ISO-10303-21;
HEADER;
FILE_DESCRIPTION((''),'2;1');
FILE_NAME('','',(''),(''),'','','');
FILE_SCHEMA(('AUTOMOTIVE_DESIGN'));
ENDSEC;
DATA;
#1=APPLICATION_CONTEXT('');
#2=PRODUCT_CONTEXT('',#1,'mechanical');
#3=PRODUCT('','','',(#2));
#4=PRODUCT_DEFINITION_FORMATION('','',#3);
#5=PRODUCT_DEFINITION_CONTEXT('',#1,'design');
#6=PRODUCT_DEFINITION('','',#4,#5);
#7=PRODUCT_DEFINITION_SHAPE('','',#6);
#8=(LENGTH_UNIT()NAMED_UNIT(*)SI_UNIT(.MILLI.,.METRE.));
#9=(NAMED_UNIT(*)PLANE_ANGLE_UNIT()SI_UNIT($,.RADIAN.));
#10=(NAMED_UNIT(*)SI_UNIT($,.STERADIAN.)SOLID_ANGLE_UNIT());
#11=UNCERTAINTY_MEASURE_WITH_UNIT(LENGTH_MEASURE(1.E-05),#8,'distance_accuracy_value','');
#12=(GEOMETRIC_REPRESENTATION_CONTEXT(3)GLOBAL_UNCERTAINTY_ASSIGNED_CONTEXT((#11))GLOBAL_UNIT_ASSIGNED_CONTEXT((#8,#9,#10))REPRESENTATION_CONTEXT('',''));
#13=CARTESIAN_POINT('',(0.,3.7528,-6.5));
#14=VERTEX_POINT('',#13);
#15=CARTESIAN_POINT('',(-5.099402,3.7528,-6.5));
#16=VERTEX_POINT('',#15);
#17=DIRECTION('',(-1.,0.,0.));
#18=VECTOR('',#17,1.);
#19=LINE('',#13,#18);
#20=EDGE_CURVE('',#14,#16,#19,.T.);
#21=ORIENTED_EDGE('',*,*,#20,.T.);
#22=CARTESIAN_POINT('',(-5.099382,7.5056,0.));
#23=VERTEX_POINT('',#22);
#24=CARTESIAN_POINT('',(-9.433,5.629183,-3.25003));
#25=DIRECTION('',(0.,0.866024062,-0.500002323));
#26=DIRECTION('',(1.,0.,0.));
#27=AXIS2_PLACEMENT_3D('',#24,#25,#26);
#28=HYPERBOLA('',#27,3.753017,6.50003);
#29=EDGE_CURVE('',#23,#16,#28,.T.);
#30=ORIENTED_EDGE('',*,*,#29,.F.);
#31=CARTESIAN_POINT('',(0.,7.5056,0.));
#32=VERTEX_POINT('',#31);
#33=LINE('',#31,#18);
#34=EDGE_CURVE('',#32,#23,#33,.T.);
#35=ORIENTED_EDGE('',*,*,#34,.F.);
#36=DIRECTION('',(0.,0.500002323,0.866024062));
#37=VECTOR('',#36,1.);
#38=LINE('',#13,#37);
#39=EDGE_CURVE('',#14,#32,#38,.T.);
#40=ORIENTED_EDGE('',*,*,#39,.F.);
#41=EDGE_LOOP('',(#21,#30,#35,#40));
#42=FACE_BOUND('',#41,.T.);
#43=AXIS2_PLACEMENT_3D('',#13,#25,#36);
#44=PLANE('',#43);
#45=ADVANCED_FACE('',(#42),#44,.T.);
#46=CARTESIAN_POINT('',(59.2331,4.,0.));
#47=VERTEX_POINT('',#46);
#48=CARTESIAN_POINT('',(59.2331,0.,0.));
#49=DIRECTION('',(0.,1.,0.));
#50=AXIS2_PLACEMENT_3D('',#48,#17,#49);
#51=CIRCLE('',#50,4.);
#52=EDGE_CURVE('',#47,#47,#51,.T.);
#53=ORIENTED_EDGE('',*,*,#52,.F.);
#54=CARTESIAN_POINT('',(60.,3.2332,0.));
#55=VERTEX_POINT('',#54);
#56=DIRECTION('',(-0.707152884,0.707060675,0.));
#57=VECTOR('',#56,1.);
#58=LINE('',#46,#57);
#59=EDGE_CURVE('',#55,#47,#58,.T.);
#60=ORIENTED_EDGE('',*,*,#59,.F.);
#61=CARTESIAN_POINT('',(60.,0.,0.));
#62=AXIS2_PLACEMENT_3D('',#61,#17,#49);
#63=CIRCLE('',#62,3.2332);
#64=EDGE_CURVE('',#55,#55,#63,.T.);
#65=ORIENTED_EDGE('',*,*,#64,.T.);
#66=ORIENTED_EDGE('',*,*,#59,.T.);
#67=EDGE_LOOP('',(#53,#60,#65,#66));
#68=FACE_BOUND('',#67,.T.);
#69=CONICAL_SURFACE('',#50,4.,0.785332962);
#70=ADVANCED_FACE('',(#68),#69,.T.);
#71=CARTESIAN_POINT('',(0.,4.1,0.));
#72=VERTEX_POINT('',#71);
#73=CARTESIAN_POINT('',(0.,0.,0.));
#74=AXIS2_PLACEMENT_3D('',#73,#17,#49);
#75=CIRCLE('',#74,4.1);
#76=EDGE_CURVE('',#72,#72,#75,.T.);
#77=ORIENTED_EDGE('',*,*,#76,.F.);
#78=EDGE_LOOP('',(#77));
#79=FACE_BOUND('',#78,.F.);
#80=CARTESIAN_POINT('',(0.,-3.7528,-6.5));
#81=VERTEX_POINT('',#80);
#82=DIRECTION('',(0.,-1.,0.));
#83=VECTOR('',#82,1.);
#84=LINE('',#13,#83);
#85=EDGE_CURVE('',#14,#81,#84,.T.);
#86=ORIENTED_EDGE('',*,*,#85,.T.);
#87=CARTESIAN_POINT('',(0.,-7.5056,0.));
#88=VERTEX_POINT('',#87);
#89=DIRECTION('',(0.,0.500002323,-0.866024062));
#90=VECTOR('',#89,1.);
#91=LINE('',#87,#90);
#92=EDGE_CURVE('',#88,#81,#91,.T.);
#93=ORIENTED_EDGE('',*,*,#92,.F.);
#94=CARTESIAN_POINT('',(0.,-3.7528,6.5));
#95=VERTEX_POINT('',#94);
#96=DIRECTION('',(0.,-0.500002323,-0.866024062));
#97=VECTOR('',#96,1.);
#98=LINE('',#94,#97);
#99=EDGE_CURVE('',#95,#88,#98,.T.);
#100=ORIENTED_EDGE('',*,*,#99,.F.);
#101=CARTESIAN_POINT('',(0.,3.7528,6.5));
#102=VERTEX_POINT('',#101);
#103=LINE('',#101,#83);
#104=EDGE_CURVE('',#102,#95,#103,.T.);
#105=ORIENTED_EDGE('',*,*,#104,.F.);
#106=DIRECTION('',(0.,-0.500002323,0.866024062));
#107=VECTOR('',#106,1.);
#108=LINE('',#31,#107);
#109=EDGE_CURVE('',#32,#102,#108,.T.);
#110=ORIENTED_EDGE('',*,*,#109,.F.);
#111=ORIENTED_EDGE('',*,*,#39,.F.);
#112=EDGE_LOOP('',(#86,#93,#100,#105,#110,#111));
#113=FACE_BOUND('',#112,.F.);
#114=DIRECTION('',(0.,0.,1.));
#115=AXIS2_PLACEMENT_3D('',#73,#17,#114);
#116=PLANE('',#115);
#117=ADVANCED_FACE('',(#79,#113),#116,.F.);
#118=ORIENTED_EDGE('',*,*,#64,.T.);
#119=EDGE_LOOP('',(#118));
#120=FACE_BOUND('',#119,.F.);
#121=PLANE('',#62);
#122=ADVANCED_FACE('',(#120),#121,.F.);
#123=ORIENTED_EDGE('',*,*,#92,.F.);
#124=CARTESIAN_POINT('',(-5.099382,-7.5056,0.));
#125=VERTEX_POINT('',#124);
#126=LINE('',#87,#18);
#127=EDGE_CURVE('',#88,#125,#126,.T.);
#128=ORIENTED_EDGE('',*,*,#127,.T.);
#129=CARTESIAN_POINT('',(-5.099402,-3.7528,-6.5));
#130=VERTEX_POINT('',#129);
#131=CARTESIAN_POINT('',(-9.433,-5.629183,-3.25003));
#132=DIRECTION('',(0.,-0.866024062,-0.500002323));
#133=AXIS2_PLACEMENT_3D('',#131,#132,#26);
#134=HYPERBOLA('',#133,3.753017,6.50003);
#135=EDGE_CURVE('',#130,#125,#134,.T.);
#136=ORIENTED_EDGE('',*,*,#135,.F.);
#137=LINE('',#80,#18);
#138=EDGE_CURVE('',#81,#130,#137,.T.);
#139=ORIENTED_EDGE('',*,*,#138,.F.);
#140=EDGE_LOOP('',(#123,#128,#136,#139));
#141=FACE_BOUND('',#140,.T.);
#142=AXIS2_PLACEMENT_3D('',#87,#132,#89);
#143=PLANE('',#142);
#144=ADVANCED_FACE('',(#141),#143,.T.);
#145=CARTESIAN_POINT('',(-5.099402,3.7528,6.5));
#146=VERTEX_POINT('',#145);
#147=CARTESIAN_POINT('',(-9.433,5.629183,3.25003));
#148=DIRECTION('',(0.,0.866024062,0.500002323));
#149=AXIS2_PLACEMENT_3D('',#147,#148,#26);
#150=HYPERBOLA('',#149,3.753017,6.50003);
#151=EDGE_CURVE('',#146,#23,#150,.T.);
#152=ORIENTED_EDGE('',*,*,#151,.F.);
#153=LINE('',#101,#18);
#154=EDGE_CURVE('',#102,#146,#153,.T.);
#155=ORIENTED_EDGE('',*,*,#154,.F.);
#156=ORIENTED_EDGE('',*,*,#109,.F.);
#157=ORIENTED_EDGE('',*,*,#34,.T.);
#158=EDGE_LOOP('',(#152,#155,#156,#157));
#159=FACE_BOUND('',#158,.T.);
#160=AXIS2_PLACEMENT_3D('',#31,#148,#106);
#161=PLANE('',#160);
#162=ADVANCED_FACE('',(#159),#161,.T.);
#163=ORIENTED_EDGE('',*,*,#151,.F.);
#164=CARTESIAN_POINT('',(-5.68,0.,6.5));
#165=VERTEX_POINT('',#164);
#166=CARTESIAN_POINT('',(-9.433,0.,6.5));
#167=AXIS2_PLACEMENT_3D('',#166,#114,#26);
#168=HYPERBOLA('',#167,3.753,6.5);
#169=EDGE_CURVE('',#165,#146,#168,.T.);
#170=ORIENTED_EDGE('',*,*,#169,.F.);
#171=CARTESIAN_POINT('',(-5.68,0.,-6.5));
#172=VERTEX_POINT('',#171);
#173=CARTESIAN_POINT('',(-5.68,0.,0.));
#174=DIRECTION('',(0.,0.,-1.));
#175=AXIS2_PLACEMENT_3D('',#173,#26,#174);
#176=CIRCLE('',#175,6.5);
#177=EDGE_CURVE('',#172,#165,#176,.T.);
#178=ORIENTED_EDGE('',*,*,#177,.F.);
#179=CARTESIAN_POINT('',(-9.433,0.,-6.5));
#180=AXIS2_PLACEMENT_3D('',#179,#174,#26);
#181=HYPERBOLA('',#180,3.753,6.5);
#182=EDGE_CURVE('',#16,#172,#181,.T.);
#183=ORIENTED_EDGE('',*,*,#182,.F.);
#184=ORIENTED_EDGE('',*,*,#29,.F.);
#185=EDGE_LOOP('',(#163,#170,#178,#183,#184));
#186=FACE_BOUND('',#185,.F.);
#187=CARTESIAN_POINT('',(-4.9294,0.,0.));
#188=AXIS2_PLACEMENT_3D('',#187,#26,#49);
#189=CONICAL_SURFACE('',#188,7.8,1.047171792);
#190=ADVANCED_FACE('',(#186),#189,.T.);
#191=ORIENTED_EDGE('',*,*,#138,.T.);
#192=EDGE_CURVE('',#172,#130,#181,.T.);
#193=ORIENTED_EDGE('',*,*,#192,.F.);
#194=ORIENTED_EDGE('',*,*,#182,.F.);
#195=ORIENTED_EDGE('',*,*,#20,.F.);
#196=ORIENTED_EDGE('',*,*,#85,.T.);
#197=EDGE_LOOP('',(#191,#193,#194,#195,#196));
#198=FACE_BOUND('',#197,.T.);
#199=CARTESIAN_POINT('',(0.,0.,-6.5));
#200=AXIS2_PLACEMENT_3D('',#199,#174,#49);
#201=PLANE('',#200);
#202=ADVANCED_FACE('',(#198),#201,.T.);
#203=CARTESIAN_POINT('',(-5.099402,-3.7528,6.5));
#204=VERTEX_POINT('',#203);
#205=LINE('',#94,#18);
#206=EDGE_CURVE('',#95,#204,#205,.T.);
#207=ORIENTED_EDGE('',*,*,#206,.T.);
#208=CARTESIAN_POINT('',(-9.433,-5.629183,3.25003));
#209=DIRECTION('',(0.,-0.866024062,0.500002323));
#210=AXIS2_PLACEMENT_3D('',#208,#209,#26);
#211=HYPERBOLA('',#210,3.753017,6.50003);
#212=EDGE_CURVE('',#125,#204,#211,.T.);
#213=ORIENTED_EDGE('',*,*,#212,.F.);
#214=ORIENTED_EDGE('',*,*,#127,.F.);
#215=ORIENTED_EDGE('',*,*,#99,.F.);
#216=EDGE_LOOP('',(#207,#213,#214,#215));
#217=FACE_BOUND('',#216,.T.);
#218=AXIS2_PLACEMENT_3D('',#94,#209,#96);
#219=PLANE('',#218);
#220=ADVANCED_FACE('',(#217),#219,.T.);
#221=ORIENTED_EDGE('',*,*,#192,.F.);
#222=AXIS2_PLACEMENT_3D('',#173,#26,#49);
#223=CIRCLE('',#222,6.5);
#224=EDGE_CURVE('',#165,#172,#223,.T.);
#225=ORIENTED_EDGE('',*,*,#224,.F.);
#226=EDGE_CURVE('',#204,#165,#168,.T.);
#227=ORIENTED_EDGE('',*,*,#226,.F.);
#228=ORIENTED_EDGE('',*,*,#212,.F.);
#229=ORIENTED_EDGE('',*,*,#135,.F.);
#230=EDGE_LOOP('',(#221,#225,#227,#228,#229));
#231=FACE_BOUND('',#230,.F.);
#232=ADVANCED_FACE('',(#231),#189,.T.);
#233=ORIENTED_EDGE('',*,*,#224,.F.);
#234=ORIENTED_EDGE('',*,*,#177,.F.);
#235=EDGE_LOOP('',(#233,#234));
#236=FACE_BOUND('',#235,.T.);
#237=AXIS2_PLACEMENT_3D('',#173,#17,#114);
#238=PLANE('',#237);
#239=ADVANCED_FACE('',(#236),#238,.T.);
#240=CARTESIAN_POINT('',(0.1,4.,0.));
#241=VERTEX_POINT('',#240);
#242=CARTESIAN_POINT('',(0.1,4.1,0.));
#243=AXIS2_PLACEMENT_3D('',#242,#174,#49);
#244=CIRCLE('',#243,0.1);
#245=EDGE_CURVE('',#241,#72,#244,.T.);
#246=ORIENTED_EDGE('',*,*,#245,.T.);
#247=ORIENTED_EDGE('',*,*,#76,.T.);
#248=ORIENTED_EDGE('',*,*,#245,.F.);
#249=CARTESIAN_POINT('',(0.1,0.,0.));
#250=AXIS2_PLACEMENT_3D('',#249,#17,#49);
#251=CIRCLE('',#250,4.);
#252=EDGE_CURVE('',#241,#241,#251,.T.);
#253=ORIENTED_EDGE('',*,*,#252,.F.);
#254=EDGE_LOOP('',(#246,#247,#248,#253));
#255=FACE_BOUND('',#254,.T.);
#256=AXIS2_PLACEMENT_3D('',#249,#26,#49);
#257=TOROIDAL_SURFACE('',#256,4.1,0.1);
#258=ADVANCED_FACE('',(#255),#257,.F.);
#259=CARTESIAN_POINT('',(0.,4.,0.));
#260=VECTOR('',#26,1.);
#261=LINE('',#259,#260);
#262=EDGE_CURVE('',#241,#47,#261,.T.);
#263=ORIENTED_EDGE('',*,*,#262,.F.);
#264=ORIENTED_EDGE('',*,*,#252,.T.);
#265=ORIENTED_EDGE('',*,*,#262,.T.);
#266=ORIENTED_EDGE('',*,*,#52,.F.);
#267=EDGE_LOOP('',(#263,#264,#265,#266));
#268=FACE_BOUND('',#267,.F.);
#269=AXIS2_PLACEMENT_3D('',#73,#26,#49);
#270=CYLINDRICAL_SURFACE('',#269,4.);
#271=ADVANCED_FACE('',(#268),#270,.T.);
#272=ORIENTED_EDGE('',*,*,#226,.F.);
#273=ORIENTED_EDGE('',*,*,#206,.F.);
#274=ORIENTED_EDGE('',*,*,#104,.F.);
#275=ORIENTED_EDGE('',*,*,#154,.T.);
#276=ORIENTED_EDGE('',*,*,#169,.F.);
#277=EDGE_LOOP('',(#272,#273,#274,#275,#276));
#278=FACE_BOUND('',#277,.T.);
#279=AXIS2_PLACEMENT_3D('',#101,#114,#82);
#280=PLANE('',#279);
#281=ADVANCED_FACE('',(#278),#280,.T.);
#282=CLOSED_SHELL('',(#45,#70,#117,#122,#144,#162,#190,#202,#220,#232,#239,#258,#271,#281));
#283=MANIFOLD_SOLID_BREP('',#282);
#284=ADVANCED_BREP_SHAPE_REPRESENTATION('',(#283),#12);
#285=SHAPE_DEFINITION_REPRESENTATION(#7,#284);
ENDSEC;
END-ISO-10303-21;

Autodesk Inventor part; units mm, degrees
ref_plane "YZ Plane" through (0, 0, 0) normal (1, 0, 0) x (0, 1, 0)
ref_plane "XZ Plane" through (0, 0, 0) normal (0, 1, 0) x (-1, 0, 0)
sketch "Sketch1" plane through (0, 0, 0) normal (0, 0, 1) x (1, 0, 0)
  line L0 (0, 4) -> (60, 4)
  line L1 (60, 4) -> (60, 0)
  line L2 (60, 0) -> (0, 0)
  line L3 (-12, 0) -> (72, 0) projected
  line L4 (0, -0.8) -> (0, 4.8) projected
  line L5 (0, 4) -> (0, 0)
  dimension "d2" = 8
  dimension "d59" = 60
revolve "Body" add sketch "Sketch1" angle 360 about axis through (60, 0, 0) along (-1, 0, 0)
sketch "Sketch2" plane through (0, 0, 0) normal (-1, 0, 0) x (0, 0, 1)
  line L0 (0, 7.5056) -> (6.5, 3.7528)
  line L1 (6.5, 3.7528) -> (6.5, -3.7528)
  line L2 (6.5, -3.7528) -> (0, -7.5056)
  line L3 (0, -7.5056) -> (-6.5, -3.7528)
  line L4 (-6.5, -3.7528) -> (-6.5, 3.7528)
  line L5 (-6.5, 3.7528) -> (0, 7.5056)
  line L6 (-9.1, 0) -> (9.1, 0) projected
  line L7 (0, 10.5078) -> (0, -10.5078) projected
  point P0 (0, 0)
  point P1 (0, 0)
  dimension "d11" = 13
extrude "Head" add sketch "Sketch2" along normal blind 5.68
sketch "Sketch4" plane through (0, 0, 0) normal (0, 0, 1) x (1, 0, 0)
  line L0 (-4.9294, 7.8) -> (-5.68, 6.5)
  line L1 (-1.1, 0) -> (-0.234, 0)
  line L2 (-6.7692, 0) -> (0.8552, 0) projected
  line L3 (-5.68, 7.8) -> (-4.9294, 7.8)
  line L4 (-5.68, 6.5) -> (-5.68, 7.8)
  line L5 (0, 9.36) -> (0, -1.56) projected
  dimension "d65" = 13
  dimension "d67" = 30
  dimension "d68" = 15.6
  dimension "d69" = 5.68
revolve "Chamfer1" cut sketch "Sketch4" angle 360 about axis through (-1.1, 0, 0) along (1, 0, 0)
thread "Thread" size "M8x1.25" class "6g" standard "ISO Metric profile" length 22
chamfer "Chamfer2" distance 0.7668 distance2 0.7669 1 edges at (60, -4, 0) measured on face at (60, -0.1514, -1.2467)
fillet "Fillet" radius 0.1 1 edges at (0, -4, 0)
ref_plane "Work Plane1" through (1.525, 0, 0) normal (0, 0, 1) x (1, 0, 0)
equation "\"d2\" = GD"
equation "\"d59\" = NLG"
equation "\"d11\" = SW"
equation "\"d3\" = KOH"
equation "\"d15\" = GEL"
equation "\"d6\" = -0.5 * SPD + 0.5 * GD"
equation "\"d71\" = RR"
equation "\"d65\" = SW"
equation "\"d67\" = ANG1"
equation "\"d68\" = 1.2 * SW"
equation "\"d69\" = KOH"
equation "\"NLG\" = 60"
equation "\"GD\" = NND"
equation "\"BDM\" = NND"
equation "\"KOH\" = 5.68"
equation "\"GEL\" = 22"
equation "\"SW\" = 13"
equation "\"SW0\" = SW"
equation "\"SPD\" = NND - 1.2269 * PTC"
equation "\"SD2\" = NND"
equation "\"SD\" = 0"
equation "\"ANG1\" = 30deg"
equation "\"GAL\" = 0.61345 * PTC"
equation "\"GUL\" = 0.61345 * PTC"
equation "\"RR\" = 0.1"
equation "\"RR1\" = 0.4"
equation "\"GD1\" = THREADDIA - 1.2269 * PTC"
equation "\"THREADDIA\" = 8"
equation "\"TOA\" = 30deg"
equation "\"PTC\" = 1.25"
equation "\"KOH1\" = 3.7"
equation "\"NND\" = 8"
equation "\"E0\" = 1.155 * SW"
properties part number "ANSI B18.2.3.5M - M8 x 1.25 x 60" material "Steel, Mild"
